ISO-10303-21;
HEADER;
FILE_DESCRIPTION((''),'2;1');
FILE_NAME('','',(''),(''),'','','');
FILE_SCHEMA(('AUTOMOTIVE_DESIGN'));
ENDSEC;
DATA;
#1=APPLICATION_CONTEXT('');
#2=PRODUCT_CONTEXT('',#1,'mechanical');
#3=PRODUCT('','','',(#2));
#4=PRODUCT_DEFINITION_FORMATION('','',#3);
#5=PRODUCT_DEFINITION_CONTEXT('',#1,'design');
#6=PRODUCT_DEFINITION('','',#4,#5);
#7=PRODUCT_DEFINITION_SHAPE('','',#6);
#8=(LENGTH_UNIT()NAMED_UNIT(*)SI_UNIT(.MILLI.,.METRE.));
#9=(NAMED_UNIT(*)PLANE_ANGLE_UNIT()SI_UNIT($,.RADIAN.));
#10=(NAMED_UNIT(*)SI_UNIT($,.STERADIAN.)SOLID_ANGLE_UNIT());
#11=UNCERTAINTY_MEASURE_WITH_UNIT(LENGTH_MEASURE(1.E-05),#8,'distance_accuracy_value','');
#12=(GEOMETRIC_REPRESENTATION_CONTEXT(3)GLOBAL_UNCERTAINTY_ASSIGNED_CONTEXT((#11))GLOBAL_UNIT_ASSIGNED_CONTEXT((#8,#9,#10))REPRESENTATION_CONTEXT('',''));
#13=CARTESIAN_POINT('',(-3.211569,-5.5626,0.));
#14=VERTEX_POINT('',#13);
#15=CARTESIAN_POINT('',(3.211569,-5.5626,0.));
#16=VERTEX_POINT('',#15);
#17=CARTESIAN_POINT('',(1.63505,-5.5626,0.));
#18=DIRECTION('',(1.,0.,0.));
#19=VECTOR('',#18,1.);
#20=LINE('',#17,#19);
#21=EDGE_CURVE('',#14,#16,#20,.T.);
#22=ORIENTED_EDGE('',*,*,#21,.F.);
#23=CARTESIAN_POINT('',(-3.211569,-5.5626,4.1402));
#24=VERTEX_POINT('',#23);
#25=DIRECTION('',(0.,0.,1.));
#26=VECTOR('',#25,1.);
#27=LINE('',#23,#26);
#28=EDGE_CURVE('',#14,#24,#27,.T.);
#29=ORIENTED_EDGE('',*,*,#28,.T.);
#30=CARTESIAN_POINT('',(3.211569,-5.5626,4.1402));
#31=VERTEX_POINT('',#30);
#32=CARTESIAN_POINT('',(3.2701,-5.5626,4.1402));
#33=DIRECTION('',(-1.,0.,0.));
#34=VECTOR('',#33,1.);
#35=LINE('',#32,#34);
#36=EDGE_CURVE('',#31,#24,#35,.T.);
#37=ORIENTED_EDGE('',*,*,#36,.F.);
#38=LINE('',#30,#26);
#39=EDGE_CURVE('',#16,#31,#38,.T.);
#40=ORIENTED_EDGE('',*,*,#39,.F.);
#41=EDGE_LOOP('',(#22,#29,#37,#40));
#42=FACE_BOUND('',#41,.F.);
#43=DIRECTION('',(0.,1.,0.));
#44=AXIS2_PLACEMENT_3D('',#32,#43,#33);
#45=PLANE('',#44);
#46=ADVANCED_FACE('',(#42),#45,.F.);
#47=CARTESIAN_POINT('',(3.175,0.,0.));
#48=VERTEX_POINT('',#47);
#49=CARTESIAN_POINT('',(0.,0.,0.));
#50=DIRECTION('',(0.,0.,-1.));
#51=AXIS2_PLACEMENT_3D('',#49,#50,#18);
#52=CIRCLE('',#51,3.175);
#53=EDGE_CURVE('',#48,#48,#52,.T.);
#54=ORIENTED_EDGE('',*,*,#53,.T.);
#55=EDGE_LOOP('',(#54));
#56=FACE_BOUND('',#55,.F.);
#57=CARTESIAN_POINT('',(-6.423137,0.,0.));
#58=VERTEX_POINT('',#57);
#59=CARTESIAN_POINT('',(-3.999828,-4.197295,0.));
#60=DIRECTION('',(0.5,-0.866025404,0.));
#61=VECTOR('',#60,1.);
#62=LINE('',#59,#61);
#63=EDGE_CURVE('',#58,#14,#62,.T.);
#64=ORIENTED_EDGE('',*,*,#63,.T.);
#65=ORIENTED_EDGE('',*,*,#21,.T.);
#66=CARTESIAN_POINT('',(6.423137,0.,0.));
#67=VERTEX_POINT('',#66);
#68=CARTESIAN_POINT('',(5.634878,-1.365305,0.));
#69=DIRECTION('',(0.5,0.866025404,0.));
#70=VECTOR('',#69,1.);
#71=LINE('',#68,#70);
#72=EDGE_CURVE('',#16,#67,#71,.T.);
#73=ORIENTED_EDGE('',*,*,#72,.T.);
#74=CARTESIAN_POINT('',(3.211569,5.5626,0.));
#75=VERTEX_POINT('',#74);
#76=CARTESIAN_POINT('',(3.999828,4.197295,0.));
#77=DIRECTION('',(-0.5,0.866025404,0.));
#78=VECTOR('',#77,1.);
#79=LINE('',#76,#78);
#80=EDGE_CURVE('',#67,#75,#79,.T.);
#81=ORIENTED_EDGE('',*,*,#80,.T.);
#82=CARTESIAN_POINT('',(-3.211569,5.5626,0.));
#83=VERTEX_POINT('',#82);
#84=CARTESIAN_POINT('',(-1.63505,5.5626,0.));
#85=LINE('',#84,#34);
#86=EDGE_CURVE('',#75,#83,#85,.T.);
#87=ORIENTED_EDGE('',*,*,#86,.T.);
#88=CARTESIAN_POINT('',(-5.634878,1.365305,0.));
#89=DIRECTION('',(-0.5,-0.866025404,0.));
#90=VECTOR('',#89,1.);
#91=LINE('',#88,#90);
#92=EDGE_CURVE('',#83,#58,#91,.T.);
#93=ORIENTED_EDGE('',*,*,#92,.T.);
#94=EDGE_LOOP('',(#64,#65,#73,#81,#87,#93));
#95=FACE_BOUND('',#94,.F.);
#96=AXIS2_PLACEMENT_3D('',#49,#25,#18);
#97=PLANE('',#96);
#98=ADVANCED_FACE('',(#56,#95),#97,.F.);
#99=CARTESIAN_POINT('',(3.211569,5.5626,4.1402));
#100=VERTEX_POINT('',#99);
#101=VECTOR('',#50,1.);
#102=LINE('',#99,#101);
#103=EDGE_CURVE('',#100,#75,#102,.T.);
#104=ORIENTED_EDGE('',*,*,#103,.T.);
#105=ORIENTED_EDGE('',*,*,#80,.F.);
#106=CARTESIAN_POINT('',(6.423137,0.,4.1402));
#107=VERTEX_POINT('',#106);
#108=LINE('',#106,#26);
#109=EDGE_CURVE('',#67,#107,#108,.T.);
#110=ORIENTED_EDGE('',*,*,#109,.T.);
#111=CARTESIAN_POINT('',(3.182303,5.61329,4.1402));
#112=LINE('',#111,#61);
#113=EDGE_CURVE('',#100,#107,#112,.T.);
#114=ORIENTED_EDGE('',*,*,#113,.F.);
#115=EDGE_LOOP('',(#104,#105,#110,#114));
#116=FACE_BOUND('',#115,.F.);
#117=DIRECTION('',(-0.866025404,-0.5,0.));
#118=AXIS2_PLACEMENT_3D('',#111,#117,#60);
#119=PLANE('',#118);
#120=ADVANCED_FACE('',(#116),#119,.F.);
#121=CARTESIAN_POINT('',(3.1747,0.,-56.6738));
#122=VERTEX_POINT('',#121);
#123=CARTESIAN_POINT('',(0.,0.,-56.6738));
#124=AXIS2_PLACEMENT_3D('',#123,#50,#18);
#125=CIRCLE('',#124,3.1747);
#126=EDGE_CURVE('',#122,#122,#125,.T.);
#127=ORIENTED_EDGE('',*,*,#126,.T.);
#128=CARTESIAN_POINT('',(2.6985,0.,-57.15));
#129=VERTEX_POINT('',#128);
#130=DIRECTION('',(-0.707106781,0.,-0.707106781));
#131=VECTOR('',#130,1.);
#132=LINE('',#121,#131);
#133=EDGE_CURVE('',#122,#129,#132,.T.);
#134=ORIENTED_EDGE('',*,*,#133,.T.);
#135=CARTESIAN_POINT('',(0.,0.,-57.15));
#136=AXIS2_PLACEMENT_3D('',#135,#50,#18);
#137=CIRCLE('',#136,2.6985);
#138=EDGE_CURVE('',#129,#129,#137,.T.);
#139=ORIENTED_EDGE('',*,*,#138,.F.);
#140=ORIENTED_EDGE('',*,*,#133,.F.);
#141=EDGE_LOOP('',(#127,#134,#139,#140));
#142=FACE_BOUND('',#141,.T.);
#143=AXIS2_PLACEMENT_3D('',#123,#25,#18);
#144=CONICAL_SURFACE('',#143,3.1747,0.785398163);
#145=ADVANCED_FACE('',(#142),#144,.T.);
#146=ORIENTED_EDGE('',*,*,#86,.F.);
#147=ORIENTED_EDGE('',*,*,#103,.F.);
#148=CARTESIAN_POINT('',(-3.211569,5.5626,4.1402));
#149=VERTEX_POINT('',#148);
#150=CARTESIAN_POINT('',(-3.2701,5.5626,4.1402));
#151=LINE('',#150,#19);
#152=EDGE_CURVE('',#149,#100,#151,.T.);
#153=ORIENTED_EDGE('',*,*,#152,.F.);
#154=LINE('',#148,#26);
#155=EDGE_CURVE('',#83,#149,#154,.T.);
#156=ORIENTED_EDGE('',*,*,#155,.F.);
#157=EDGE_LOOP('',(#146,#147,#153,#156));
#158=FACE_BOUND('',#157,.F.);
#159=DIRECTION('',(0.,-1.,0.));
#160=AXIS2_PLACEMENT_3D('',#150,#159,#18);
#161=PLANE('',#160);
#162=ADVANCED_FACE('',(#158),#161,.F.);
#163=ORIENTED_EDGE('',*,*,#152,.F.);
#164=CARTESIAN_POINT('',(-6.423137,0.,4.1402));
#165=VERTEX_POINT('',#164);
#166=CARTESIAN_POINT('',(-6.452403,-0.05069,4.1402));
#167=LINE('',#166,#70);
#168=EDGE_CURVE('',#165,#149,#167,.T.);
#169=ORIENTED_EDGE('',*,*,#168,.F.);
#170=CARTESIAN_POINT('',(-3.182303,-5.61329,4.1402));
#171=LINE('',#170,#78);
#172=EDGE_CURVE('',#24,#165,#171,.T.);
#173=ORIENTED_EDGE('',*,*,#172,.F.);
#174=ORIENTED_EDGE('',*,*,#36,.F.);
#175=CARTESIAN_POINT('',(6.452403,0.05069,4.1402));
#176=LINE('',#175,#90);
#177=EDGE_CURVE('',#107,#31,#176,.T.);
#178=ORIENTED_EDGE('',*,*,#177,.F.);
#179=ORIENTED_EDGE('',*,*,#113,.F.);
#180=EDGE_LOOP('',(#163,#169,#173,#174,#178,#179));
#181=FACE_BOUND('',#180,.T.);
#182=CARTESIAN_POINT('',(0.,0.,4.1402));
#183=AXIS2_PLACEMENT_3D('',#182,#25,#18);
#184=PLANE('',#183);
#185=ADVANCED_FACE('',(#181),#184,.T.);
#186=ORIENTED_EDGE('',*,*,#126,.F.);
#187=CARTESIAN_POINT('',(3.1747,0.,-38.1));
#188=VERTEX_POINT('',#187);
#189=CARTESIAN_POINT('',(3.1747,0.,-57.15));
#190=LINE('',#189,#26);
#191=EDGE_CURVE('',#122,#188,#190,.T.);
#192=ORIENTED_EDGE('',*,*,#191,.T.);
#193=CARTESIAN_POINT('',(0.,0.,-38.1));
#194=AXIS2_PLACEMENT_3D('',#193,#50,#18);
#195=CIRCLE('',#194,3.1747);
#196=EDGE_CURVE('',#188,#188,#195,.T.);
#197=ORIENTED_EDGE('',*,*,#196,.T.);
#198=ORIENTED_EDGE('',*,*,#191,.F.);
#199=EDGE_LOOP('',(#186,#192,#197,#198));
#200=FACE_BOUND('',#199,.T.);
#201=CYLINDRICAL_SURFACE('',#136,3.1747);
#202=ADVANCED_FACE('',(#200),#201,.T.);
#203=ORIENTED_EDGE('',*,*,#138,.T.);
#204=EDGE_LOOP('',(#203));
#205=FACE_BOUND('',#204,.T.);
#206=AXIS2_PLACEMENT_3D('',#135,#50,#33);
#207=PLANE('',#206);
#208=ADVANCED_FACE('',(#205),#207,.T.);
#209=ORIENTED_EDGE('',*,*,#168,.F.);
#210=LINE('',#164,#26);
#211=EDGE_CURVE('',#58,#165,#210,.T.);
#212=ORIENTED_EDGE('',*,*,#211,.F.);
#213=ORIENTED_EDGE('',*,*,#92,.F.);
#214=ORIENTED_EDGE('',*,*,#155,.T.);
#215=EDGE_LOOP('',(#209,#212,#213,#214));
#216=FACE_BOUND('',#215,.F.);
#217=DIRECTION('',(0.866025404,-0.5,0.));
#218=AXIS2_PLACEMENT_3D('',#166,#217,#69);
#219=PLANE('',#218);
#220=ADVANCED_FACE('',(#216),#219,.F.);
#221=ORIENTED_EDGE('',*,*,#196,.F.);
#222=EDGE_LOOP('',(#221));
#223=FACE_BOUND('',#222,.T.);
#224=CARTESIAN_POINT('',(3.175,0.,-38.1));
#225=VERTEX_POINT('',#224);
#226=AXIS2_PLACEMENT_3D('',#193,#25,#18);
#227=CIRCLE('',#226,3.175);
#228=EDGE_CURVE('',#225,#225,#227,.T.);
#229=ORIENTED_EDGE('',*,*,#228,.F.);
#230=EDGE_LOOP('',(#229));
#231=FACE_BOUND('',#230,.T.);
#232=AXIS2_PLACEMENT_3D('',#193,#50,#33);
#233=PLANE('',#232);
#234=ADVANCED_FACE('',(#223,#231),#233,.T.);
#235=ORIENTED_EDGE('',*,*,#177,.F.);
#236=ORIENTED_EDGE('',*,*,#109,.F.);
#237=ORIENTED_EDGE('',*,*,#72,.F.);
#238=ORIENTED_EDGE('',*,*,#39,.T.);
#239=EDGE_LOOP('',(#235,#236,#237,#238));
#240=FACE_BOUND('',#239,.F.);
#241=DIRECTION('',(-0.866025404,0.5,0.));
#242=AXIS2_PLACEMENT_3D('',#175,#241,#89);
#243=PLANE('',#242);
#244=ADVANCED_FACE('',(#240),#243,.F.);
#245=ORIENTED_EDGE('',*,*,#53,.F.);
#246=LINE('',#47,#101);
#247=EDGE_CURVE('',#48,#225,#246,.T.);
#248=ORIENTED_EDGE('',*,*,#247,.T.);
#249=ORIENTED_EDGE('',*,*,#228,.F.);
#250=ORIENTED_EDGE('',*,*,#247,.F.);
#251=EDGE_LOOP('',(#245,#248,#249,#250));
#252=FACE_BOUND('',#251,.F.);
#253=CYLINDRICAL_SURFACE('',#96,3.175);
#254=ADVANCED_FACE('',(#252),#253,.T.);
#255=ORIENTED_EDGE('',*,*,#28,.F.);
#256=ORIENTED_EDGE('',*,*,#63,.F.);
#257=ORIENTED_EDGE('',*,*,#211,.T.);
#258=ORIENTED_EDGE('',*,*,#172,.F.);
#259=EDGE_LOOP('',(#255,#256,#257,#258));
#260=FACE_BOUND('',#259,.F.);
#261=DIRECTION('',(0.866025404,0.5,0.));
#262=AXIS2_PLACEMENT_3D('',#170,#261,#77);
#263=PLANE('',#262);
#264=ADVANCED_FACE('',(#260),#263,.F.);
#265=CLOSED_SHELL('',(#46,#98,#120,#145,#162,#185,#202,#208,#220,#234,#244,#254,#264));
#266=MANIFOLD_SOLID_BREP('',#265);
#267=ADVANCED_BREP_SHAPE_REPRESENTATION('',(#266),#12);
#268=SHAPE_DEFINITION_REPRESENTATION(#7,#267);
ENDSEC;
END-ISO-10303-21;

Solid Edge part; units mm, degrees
sketch "Sketch1" plane through (0, 0, 0) normal (0, 0, 1) x (1, 0, 0)
  circle A0 centre (0, 0) radius 6.4526
  dimension "D1" = 12.9052
extrude "Protrusion1" add sketch "Sketch1" along normal blind 4.1402
sketch "Sketch2" plane through (0, 0, 0) normal (0, 0, -1) x (1, 0, 0)
  circle A0 centre (0, 0) radius 3.175
extrude "Protrusion2" add sketch "Sketch2" along normal blind 57.15
sketch "Sketch3" plane through (0, 0, -57.15) normal (0, 0, -1) x (1, 0, 0)
  circle A0 centre (0, 0) radius 3.1747
extrude "Cutout1" cut sketch "Sketch3" against normal blind 19.05 flip side to cut
chamfer "Chamfer_1" distance 0.4762 angle 45 1 edges at (-3.1747, 0, -57.15)
sketch "Sketch4" plane through (0, 0, 4.1402) normal (0, 0, 1) x (1, 0, 0)
  line L0 (-3.2701, 5.5626) -> (3.2701, 5.5626)
  dimension "D1" = 11.1252
extrude "Cutout2" cut sketch "Sketch4" against normal up to next material side at (0, 5.6126, 4.1402)
pattern_circular "Pattern1" count 6 over 360 about axis through (0, 0, 4.1402) along (0, 0, 1) of "Cutout2"
properties part number "24100065"
